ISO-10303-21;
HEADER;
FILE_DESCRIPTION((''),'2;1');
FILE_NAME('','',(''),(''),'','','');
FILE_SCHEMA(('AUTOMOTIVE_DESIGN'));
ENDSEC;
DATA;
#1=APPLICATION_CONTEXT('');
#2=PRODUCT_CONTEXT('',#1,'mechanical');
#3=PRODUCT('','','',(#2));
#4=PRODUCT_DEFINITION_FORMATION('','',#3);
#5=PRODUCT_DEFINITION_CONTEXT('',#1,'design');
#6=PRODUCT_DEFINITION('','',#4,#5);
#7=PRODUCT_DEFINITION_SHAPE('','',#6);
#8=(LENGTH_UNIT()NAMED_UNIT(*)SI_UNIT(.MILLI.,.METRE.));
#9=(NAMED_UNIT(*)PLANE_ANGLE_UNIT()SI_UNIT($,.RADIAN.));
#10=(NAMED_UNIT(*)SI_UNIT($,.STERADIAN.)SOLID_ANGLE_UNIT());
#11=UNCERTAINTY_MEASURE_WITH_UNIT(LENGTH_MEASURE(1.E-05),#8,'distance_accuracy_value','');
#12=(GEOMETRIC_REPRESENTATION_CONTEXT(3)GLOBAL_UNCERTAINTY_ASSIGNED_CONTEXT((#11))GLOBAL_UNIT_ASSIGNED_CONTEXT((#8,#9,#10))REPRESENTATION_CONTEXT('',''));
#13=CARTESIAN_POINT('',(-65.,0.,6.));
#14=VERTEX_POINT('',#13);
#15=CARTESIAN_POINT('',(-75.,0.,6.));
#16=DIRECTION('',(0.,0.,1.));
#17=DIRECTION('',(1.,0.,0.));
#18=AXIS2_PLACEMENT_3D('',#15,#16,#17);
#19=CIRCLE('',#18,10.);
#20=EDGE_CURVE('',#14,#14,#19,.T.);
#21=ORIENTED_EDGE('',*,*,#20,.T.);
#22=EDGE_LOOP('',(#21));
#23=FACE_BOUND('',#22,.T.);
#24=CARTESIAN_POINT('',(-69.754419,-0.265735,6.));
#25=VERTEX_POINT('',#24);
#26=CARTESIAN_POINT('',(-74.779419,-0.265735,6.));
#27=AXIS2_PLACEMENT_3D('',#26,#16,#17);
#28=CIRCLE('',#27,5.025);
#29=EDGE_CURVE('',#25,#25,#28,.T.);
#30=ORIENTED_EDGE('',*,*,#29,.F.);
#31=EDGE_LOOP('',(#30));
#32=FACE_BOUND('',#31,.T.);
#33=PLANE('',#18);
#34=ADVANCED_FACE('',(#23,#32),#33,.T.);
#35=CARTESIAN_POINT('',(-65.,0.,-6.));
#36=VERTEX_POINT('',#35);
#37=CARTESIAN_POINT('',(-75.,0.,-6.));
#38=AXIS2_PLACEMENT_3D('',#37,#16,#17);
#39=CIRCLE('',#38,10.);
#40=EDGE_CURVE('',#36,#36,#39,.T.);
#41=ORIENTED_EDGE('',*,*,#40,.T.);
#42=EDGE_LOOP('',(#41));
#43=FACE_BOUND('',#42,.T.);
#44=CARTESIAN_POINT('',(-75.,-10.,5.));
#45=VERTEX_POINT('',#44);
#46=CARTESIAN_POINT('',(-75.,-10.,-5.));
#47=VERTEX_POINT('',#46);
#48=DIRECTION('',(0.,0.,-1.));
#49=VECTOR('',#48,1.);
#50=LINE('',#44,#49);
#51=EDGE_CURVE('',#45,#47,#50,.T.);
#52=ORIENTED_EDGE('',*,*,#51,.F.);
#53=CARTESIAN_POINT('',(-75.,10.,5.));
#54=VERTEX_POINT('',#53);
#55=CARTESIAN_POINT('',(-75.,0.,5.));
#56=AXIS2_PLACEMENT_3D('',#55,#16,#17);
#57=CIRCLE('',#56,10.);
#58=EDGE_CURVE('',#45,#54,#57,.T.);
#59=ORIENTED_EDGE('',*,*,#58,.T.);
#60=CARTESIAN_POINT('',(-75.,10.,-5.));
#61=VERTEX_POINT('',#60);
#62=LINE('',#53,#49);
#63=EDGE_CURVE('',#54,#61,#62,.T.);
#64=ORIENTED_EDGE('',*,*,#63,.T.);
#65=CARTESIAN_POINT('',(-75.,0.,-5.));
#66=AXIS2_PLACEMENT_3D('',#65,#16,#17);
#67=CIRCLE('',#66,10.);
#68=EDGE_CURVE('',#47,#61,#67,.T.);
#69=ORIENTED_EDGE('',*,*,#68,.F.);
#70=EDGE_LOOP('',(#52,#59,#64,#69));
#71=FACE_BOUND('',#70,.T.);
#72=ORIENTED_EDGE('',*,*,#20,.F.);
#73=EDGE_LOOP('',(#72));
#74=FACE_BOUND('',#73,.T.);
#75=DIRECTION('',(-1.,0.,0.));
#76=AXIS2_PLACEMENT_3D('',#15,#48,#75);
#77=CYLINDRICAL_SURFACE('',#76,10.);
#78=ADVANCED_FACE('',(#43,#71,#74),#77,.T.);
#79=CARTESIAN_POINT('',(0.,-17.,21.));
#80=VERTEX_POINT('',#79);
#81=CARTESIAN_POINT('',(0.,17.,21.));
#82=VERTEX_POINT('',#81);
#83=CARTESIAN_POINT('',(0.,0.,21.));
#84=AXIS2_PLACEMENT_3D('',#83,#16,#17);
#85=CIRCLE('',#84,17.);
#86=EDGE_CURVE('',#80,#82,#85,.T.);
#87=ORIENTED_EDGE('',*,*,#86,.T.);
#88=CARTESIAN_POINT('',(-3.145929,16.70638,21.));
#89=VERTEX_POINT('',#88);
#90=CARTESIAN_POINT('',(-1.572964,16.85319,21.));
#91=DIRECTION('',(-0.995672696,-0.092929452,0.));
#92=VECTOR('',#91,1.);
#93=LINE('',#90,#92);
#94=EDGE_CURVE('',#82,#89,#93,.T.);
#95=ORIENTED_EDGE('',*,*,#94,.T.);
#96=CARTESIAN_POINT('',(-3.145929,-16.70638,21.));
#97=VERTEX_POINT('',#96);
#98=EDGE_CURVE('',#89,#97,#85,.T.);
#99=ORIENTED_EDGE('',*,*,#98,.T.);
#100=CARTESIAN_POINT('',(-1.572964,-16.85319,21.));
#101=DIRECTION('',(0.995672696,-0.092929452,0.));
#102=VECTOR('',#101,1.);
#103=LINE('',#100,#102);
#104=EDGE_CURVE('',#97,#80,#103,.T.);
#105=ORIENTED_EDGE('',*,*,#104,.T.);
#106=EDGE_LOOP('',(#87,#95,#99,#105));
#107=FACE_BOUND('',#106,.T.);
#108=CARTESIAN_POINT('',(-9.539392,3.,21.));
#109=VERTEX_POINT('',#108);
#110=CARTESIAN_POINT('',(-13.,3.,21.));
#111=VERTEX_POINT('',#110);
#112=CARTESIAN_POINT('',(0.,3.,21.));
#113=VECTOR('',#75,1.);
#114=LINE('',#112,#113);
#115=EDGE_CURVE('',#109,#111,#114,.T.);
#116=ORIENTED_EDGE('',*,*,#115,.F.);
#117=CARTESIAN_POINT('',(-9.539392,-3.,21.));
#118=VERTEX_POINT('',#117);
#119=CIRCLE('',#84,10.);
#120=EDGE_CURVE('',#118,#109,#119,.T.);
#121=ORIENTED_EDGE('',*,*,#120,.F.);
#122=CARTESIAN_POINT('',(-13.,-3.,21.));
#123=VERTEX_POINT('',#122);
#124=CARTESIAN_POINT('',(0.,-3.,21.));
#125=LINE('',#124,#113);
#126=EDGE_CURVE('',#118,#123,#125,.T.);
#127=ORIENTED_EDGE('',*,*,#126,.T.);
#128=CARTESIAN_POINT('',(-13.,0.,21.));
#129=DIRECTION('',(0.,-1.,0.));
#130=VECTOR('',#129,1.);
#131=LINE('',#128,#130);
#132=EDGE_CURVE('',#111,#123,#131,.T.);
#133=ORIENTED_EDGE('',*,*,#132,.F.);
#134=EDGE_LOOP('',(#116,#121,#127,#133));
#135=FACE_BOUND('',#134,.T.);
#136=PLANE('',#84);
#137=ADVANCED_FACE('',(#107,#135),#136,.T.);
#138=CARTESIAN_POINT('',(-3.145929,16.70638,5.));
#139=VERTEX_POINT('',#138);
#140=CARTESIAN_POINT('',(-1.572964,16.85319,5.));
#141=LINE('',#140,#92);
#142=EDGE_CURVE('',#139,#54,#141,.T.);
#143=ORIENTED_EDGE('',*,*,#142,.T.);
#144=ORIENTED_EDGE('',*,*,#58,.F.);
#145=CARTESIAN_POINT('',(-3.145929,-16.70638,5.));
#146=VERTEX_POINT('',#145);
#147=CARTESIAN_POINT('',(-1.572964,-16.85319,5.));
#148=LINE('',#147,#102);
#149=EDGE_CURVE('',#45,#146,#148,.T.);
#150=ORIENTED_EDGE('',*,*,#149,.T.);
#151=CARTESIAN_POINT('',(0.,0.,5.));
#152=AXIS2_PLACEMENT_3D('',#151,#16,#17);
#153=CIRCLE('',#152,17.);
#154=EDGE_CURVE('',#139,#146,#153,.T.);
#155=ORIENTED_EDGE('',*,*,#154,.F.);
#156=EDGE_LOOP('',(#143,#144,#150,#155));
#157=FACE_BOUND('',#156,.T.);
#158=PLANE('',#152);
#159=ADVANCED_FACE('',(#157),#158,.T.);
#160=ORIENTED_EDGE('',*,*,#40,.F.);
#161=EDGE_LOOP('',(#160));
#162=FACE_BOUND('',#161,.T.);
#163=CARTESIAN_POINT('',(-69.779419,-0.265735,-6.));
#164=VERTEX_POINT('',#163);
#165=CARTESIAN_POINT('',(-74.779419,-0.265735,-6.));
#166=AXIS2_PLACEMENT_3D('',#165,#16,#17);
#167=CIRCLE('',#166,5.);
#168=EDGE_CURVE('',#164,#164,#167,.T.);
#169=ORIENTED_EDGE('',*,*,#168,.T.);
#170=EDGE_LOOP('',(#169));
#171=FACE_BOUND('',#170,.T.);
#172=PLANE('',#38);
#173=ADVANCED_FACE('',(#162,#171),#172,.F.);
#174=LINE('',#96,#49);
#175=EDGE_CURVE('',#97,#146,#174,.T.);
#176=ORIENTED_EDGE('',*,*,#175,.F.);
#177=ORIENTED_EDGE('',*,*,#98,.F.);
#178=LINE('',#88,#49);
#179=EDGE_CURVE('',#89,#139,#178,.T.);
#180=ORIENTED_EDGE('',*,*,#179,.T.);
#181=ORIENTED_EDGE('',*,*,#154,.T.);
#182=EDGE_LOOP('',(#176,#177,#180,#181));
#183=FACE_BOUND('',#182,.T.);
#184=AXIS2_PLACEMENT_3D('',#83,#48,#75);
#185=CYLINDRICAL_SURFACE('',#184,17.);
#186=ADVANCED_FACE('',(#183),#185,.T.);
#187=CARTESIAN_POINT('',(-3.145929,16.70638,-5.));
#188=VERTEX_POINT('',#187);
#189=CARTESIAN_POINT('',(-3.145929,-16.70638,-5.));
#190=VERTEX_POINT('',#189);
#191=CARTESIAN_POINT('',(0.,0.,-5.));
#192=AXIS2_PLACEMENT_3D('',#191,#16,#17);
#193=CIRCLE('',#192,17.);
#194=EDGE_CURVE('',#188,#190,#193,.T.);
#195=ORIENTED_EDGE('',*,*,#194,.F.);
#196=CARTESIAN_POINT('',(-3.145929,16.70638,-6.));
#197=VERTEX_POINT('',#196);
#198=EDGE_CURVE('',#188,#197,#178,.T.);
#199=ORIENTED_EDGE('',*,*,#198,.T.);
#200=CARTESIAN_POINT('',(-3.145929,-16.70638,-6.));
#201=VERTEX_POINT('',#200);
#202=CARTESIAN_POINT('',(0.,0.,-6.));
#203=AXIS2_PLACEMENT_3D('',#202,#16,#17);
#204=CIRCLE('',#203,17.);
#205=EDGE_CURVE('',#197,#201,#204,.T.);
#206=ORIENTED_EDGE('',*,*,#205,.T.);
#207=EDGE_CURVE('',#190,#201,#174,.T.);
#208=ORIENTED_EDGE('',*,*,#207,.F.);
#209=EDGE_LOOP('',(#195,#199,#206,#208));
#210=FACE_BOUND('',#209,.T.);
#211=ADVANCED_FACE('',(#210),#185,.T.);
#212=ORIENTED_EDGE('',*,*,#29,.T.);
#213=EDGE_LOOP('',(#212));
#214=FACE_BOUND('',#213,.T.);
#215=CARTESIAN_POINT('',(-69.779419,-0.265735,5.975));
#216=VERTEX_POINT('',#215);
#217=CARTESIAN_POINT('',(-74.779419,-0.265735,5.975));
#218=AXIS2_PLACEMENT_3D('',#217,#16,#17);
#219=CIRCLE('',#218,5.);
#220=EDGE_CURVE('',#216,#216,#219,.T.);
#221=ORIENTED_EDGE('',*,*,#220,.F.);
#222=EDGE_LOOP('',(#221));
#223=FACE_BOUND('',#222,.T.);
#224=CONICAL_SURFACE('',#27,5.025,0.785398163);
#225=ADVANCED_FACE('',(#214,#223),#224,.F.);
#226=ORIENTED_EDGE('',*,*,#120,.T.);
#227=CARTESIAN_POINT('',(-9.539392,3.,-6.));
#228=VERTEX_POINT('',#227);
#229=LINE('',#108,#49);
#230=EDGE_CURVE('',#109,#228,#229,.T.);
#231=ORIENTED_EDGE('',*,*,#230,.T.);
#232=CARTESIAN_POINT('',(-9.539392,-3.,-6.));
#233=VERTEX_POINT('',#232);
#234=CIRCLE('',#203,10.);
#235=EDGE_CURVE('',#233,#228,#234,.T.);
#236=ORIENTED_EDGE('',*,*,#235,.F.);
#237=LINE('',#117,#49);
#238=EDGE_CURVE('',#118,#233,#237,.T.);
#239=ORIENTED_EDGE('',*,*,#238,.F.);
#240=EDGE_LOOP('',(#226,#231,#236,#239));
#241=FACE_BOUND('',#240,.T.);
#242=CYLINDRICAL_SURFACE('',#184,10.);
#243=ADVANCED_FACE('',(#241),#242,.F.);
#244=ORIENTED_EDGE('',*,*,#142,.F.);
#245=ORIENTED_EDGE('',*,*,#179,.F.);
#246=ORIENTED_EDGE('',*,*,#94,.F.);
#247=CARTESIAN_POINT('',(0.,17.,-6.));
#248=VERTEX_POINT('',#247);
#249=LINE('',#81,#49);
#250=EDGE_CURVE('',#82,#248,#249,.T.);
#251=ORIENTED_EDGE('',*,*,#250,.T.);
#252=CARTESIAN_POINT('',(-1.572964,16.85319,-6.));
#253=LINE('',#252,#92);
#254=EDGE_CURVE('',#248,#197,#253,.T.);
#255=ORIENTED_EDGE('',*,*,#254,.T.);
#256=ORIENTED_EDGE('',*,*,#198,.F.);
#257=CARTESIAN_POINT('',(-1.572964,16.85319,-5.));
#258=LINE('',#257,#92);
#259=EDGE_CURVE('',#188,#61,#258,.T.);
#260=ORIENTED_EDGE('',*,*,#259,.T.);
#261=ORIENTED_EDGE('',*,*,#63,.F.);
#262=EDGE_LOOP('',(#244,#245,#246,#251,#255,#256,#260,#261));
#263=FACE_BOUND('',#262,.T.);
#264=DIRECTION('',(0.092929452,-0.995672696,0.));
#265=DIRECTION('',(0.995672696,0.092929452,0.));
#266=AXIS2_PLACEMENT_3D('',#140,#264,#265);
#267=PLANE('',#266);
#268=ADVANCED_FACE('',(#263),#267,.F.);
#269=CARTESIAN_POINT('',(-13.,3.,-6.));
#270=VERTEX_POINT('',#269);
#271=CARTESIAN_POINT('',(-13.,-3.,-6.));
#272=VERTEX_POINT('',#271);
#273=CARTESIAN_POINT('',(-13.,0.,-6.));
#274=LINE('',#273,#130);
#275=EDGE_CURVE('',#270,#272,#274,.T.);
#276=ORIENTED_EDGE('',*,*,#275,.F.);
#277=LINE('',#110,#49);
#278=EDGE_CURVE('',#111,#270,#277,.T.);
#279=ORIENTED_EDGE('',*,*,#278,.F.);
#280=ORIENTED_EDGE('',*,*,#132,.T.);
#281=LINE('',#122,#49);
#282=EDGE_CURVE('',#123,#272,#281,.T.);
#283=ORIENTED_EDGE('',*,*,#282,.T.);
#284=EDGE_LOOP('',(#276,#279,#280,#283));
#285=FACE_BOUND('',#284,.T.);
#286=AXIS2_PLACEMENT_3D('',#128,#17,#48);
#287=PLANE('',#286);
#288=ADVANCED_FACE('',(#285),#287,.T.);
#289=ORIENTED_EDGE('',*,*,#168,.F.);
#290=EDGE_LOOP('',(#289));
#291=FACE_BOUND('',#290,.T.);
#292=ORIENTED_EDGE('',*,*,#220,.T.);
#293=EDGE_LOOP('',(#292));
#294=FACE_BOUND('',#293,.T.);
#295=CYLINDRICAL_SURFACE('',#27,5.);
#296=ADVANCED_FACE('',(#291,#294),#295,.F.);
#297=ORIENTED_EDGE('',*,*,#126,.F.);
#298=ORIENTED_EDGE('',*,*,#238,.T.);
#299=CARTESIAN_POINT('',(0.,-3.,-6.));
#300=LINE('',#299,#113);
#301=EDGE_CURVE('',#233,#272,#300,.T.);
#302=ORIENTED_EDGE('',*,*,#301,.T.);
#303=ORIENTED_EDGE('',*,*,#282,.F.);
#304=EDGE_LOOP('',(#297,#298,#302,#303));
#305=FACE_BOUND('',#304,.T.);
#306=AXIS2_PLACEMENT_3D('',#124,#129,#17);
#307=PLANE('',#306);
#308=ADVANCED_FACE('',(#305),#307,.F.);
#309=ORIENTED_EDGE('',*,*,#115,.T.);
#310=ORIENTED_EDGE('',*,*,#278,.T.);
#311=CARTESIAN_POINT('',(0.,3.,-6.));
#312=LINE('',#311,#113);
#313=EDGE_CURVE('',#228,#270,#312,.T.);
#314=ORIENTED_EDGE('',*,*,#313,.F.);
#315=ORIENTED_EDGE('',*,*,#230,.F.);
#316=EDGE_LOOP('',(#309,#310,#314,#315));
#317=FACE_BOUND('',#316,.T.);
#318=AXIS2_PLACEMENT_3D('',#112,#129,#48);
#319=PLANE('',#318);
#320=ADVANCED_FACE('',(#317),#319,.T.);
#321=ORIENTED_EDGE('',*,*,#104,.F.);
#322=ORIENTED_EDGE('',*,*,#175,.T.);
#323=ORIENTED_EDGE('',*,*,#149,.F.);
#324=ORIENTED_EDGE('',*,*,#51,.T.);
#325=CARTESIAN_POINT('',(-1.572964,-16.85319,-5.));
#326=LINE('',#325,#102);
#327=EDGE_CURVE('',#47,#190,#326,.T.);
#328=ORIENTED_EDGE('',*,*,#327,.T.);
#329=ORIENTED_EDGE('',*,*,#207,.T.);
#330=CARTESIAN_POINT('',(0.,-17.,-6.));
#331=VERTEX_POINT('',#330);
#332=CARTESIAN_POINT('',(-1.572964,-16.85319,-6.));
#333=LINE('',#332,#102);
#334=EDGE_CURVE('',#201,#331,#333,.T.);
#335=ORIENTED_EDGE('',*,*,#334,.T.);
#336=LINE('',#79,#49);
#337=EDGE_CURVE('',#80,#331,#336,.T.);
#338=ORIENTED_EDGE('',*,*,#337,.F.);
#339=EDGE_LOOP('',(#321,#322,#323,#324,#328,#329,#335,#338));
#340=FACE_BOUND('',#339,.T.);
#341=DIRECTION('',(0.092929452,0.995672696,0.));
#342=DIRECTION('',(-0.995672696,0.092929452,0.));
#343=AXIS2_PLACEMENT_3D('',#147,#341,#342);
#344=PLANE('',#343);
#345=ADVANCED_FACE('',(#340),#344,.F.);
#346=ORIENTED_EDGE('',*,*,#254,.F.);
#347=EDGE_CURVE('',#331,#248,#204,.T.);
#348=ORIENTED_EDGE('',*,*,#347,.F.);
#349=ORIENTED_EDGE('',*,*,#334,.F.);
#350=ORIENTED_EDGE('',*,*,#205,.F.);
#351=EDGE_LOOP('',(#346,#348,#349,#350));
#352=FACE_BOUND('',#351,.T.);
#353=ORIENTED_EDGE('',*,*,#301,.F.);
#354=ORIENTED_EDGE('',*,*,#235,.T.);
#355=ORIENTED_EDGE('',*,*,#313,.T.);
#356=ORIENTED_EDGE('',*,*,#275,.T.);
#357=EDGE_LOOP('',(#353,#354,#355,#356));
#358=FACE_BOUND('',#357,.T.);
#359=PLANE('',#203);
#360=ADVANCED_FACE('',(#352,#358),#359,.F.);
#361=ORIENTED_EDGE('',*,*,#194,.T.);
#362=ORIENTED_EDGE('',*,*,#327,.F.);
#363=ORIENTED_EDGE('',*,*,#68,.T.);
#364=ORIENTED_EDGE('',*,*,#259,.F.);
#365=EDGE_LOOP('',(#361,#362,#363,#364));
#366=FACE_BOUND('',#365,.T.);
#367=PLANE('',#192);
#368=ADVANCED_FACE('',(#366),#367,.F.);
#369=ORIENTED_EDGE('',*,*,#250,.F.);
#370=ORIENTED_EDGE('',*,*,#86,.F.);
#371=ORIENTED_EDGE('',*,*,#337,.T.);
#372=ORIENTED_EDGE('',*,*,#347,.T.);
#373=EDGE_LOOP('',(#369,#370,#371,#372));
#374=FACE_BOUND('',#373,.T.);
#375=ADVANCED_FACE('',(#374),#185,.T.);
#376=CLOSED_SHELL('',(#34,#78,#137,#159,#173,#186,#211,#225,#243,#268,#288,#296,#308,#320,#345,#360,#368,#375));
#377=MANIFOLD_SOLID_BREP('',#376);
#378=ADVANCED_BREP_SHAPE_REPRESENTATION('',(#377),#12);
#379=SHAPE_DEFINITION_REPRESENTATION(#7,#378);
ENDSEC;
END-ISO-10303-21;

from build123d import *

# Parameters (mm, degrees)
ESTRUSIONE_ESTRUSIONE1_DEPTH = 5
SCHIZZO1_4_R                 = 10
ESTRUSIONE_ESTRUSIONE2_DEPTH = 6
ESTRUSIONE_ESTRUSIONE3_START = 21
ESTRUSIONE_ESTRUSIONE3_DEPTH = 27
FORO_10_0_10_1_D             = 10
FORO_10_0_10_1_CSINK_D       = 10.05
FORO_10_0_10_1_CSINK_ANGLE   = 90


with BuildPart() as part:
    # Schizzo1 → Estrusione-Estrusione1 (new, symmetric)
    with BuildSketch(Plane.XY):
        with BuildLine():
            ThreePointArc((-3.145928798, -16.706379979), (-17, 0), (-3.145928798, 16.706379979))
            Line((-3.145928798, 16.706379979), (-75, 10))
            ThreePointArc((-75, 10), (-67.928932188, 7.071067812), (-65, 0))
            ThreePointArc((-65, 0), (-67.928932188, -7.071067812), (-75, -10))
            Line((-75, -10), (-3.145928798, -16.706379979))
        make_face()
    extrude(amount=ESTRUSIONE_ESTRUSIONE1_DEPTH, both=True)

    # Schizzo1<4> → Estrusione-Estrusione2 (add, symmetric)
    with BuildSketch(Plane.XY):
        with Locations((-75, 0)):
            Circle(SCHIZZO1_4_R)
    extrude(amount=ESTRUSIONE_ESTRUSIONE2_DEPTH, both=True)

    # Schizzo1<5> → Estrusione-Estrusione3 (add)
    with BuildSketch(Plane.XY.offset(ESTRUSIONE_ESTRUSIONE3_START)):
        with BuildLine():
            ThreePointArc((17, 0), (12.02081528, 12.02081528), (0, 17))
            Line((0, 17), (-3.145928798, 16.706379979))
            ThreePointArc((-3.145928798, 16.706379979), (-17, 0), (-3.145928798, -16.706379979))
            Line((-3.145928798, -16.706379979), (0, -17))
            ThreePointArc((0, -17), (12.02081528, -12.02081528), (17, 0))
        make_face()
        with BuildLine():
            Line((-13, 3), (-9.539392014, 3))
            ThreePointArc((-9.539392014, 3), (10, 0), (-9.539392014, -3))
            Line((-9.539392014, -3), (-13, -3))
            Line((-13, -3), (-13, 3))
        make_face(mode=Mode.SUBTRACT)
    extrude(amount=-ESTRUSIONE_ESTRUSIONE3_DEPTH)

    # Foro Ø10.0 (10)-1 (through all)
    with Locations(Plane(origin=(-74.779419459, -0.265735381, 6), x_dir=(1, 0, 0), z_dir=(0, 0, 1))):
        with Locations((0, 0)):
            CounterSinkHole(FORO_10_0_10_1_D / 2, FORO_10_0_10_1_CSINK_D / 2, counter_sink_angle=FORO_10_0_10_1_CSINK_ANGLE)


solid = part.part
